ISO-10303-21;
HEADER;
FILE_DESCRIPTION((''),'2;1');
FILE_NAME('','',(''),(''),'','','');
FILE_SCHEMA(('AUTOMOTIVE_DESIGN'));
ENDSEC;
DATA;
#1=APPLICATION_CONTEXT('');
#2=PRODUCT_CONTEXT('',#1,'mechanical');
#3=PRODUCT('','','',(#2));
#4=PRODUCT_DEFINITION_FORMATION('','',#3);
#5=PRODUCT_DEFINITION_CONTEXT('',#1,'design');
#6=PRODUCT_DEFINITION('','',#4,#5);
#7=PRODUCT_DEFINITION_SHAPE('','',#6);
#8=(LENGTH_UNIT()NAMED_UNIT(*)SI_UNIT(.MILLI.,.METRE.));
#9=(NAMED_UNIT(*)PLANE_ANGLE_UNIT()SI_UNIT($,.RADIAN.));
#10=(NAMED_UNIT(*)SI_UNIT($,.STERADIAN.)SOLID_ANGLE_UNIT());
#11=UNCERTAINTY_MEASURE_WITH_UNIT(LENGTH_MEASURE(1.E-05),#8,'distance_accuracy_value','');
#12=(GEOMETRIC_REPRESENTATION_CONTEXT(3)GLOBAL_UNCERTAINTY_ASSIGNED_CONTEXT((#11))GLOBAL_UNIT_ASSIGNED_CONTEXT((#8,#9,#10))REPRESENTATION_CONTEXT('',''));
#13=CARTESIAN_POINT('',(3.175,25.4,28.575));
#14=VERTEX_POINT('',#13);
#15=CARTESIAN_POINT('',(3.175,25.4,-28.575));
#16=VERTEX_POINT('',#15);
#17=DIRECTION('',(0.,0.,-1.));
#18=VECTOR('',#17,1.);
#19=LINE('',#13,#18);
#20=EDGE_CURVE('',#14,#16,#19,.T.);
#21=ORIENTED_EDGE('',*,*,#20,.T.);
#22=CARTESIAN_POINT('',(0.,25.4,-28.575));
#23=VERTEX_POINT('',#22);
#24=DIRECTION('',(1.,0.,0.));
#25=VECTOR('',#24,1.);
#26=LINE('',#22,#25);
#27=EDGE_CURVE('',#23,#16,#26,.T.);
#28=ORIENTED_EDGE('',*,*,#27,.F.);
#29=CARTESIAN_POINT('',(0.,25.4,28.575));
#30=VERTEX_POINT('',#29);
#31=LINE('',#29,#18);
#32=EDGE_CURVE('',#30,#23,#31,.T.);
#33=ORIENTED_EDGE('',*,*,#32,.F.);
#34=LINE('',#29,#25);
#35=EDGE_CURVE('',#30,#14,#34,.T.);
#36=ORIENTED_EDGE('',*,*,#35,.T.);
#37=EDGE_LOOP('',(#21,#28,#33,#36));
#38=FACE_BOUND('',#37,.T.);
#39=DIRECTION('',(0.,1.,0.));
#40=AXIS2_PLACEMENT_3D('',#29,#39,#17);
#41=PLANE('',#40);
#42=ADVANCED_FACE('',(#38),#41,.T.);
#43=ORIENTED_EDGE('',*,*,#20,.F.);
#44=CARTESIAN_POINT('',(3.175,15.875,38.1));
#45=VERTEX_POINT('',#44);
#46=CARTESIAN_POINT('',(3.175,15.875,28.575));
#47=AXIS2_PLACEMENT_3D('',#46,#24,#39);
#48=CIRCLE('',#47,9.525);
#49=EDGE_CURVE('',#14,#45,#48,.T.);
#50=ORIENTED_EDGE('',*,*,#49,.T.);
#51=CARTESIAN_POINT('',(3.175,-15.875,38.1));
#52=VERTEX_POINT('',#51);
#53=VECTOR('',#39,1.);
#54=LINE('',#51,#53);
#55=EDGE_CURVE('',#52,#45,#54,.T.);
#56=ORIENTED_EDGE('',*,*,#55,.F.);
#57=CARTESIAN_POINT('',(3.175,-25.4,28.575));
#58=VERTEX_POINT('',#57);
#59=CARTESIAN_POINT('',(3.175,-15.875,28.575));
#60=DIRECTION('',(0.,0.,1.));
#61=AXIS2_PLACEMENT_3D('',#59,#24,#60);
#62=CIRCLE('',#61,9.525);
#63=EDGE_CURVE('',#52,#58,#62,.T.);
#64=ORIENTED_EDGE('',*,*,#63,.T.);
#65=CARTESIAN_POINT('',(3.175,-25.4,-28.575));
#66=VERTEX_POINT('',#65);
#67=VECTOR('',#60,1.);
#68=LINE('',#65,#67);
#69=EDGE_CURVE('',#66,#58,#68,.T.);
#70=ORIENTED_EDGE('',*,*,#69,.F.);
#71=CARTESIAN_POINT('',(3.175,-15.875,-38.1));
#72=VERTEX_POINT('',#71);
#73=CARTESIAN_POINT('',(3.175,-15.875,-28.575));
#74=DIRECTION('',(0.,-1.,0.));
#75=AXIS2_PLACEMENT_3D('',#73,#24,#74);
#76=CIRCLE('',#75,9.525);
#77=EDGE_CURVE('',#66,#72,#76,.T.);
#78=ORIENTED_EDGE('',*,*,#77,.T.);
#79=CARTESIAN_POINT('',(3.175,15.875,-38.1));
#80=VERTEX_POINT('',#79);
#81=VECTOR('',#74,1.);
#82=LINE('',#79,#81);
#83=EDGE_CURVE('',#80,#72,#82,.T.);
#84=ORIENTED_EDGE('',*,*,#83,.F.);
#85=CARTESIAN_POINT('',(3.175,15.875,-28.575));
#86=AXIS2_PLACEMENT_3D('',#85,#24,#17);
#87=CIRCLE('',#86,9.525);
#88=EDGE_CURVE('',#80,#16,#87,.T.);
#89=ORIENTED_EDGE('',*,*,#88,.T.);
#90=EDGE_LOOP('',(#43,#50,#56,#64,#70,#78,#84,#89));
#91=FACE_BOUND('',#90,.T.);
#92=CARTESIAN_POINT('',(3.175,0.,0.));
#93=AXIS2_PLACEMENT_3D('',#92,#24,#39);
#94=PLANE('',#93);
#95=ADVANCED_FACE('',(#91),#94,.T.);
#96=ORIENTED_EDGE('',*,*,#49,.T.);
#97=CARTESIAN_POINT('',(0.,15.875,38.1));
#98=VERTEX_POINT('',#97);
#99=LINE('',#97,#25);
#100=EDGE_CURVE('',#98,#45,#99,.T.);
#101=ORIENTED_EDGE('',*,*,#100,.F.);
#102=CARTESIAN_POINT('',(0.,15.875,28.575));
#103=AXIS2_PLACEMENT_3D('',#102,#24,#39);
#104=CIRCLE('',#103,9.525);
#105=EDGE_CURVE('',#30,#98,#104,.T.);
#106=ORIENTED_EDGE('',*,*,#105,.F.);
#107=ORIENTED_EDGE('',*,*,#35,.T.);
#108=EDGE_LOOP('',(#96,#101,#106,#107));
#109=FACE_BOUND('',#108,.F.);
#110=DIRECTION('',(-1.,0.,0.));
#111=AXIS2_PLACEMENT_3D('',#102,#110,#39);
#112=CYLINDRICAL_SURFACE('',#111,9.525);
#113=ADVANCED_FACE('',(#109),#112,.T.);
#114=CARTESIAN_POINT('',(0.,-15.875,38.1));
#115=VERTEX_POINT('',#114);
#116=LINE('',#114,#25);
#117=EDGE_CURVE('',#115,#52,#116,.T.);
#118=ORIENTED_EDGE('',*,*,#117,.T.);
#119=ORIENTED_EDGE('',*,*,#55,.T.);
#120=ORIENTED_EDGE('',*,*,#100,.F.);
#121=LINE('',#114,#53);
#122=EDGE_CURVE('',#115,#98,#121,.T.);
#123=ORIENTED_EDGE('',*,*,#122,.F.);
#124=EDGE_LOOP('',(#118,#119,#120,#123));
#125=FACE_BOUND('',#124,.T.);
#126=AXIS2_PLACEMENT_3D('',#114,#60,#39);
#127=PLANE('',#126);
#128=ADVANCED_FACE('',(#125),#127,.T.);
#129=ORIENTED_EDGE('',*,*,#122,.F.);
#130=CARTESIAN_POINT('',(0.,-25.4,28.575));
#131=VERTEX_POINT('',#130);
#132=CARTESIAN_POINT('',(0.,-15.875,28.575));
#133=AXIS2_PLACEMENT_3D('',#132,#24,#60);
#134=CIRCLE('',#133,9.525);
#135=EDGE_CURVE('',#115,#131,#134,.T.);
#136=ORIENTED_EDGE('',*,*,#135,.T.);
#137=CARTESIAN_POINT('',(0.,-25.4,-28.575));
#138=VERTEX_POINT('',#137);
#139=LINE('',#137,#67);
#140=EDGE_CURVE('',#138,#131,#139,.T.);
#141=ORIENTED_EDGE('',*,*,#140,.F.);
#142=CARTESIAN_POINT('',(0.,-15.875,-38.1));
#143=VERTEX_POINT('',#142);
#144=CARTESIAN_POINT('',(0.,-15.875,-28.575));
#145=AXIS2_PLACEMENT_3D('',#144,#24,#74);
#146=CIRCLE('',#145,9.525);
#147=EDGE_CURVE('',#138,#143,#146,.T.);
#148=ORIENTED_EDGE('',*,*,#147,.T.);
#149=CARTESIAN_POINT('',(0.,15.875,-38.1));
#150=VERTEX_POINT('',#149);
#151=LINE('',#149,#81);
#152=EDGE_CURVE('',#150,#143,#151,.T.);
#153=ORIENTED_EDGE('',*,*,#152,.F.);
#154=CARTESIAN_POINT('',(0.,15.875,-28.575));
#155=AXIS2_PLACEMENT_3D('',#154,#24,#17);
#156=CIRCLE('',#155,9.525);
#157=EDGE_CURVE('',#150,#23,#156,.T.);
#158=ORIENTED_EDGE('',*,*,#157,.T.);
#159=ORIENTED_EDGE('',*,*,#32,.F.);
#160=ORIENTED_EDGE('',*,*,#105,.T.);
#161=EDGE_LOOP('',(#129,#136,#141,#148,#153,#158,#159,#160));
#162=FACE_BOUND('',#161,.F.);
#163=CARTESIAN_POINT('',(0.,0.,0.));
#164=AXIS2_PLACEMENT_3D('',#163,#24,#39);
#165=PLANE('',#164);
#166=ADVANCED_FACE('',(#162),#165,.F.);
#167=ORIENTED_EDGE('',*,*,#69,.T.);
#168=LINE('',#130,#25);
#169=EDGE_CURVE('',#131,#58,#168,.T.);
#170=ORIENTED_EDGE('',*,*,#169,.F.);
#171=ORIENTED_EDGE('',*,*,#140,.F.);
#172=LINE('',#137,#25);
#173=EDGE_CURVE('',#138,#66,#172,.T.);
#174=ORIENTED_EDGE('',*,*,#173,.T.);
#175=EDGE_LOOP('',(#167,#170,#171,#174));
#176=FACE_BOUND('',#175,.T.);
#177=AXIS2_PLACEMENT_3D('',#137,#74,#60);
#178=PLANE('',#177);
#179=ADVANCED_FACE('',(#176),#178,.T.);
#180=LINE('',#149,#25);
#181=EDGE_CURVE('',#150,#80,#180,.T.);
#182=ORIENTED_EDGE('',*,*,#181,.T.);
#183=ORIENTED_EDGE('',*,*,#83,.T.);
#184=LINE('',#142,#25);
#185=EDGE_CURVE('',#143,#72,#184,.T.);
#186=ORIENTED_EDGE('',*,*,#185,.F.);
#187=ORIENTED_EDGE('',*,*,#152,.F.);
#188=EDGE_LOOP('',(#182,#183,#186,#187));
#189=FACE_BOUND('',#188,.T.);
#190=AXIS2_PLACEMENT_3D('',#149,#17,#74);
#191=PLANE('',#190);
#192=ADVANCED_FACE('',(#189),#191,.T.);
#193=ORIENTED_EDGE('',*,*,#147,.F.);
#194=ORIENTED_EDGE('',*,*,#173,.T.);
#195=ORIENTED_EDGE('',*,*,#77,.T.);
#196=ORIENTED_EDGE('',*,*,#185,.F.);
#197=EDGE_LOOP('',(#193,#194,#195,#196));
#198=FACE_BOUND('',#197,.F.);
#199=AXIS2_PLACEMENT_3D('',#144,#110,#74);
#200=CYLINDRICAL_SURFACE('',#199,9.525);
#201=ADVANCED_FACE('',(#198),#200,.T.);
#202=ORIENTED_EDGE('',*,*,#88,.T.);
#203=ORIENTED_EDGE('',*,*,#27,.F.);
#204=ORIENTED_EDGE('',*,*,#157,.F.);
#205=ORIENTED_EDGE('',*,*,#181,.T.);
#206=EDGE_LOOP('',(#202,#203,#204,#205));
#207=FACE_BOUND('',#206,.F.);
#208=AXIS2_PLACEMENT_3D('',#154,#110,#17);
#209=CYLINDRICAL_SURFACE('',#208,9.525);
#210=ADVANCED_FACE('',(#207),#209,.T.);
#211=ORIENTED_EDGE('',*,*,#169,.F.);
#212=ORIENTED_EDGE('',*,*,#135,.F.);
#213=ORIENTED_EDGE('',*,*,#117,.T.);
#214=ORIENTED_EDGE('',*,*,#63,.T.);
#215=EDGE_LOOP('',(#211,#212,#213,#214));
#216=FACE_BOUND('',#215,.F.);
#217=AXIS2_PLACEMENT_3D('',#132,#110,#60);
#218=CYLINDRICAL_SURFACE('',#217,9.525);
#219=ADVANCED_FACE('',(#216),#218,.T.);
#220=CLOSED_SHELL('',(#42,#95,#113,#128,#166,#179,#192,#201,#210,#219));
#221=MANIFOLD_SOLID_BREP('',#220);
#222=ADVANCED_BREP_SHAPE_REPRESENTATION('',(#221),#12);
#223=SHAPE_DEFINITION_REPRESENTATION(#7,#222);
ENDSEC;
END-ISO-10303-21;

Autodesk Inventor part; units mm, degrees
ref_plane "YZ Plane" through (0, 0, 0) normal (1, 0, 0) x (0, 1, 0)
ref_plane "XZ Plane" through (0, 0, 0) normal (0, 1, 0) x (-1, 0, 0)
ref_plane "XY Plane" through (0, 0, 0) normal (0, 0, 1) x (1, 0, 0)
sketch "Sketch1" plane through (0, 0, 0) normal (1, 0, 0) x (0, 1, 0)
  line L0 (-15.875, 38.1) -> (15.875, 38.1)
  line L1 (25.4, 28.575) -> (25.4, -28.575)
  line L2 (15.875, -38.1) -> (-15.875, -38.1)
  line L3 (-25.4, -28.575) -> (-25.4, 28.575)
  line L4 (-25.4, 38.1) -> (25.4, -38.1) construction
  line L5 (25.4, 38.1) -> (-25.4, -38.1) construction
  arc A0 (25.4, 28.575) -> (15.875, 38.1) centre (15.875, 28.575) ccw
  arc A1 (-15.875, 38.1) -> (-25.4, 28.575) centre (-15.875, 28.575) ccw
  arc A2 (-25.4, -28.575) -> (-15.875, -38.1) centre (-15.875, -28.575) ccw
  arc A3 (15.875, -38.1) -> (25.4, -28.575) centre (15.875, -28.575) ccw
  point P0 (0, 0)
  dimension "d0" = 50.8
  dimension "d1" = 76.2
  dimension "d2" = 9.525
extrude "Extrusion1" add sketch "Sketch1" along normal blind 3.175
equation "\"d0\" = stockHeight"
equation "\"d1\" = stockWidth"
equation "\"d2\" = stockRad"
equation "\"d3\" = capThickness"
equation "\"height\" = 203.2"
equation "\"shaftDiam\" = 6.35"
equation "\"shaftSpace\" = 1.5875"
equation "\"stageSpace\" = 2.54"
equation "\"stageAngle\" = 15deg"
equation "\"stockHeight\" = 50.8"
equation "\"stockWidth\" = 76.2"
equation "\"stockRad\" = 9.525"
equation "\"stockGuage\" = 3.175"
equation "\"groundActu\" = 304.8"
equation "\"baseWidth\" = 1066.8"
equation "\"baseDepth\" = 254"
equation "\"capThickness\" = 3.175"
equation "\"sup1Ang\" = 22.619865deg"
equation "\"sup1Len\" = 660.4"
equation "\"supVertLen\" = 955.13561"
equation "\"sup2Ang\" = 8.959949deg"
equation "\"sup2Len\" = 2079.37366"
equation "\"supSideAng\" = 19.376933deg"
equation "\"supSideLen\" = 1531.12879"
equation "\"FlangeDiam\" = 12.7"
equation "\"bearingDiam\" = 9.5504"
equation "\"FlangeDepth\" = 1.5875"
equation "\"smallFilet\" = 0.39687"
equation "\"thickness\" = 12.7"
equation "\"ringDiam\" = 96.46608"
properties part number "end cap" material "Aluminum 6061"
